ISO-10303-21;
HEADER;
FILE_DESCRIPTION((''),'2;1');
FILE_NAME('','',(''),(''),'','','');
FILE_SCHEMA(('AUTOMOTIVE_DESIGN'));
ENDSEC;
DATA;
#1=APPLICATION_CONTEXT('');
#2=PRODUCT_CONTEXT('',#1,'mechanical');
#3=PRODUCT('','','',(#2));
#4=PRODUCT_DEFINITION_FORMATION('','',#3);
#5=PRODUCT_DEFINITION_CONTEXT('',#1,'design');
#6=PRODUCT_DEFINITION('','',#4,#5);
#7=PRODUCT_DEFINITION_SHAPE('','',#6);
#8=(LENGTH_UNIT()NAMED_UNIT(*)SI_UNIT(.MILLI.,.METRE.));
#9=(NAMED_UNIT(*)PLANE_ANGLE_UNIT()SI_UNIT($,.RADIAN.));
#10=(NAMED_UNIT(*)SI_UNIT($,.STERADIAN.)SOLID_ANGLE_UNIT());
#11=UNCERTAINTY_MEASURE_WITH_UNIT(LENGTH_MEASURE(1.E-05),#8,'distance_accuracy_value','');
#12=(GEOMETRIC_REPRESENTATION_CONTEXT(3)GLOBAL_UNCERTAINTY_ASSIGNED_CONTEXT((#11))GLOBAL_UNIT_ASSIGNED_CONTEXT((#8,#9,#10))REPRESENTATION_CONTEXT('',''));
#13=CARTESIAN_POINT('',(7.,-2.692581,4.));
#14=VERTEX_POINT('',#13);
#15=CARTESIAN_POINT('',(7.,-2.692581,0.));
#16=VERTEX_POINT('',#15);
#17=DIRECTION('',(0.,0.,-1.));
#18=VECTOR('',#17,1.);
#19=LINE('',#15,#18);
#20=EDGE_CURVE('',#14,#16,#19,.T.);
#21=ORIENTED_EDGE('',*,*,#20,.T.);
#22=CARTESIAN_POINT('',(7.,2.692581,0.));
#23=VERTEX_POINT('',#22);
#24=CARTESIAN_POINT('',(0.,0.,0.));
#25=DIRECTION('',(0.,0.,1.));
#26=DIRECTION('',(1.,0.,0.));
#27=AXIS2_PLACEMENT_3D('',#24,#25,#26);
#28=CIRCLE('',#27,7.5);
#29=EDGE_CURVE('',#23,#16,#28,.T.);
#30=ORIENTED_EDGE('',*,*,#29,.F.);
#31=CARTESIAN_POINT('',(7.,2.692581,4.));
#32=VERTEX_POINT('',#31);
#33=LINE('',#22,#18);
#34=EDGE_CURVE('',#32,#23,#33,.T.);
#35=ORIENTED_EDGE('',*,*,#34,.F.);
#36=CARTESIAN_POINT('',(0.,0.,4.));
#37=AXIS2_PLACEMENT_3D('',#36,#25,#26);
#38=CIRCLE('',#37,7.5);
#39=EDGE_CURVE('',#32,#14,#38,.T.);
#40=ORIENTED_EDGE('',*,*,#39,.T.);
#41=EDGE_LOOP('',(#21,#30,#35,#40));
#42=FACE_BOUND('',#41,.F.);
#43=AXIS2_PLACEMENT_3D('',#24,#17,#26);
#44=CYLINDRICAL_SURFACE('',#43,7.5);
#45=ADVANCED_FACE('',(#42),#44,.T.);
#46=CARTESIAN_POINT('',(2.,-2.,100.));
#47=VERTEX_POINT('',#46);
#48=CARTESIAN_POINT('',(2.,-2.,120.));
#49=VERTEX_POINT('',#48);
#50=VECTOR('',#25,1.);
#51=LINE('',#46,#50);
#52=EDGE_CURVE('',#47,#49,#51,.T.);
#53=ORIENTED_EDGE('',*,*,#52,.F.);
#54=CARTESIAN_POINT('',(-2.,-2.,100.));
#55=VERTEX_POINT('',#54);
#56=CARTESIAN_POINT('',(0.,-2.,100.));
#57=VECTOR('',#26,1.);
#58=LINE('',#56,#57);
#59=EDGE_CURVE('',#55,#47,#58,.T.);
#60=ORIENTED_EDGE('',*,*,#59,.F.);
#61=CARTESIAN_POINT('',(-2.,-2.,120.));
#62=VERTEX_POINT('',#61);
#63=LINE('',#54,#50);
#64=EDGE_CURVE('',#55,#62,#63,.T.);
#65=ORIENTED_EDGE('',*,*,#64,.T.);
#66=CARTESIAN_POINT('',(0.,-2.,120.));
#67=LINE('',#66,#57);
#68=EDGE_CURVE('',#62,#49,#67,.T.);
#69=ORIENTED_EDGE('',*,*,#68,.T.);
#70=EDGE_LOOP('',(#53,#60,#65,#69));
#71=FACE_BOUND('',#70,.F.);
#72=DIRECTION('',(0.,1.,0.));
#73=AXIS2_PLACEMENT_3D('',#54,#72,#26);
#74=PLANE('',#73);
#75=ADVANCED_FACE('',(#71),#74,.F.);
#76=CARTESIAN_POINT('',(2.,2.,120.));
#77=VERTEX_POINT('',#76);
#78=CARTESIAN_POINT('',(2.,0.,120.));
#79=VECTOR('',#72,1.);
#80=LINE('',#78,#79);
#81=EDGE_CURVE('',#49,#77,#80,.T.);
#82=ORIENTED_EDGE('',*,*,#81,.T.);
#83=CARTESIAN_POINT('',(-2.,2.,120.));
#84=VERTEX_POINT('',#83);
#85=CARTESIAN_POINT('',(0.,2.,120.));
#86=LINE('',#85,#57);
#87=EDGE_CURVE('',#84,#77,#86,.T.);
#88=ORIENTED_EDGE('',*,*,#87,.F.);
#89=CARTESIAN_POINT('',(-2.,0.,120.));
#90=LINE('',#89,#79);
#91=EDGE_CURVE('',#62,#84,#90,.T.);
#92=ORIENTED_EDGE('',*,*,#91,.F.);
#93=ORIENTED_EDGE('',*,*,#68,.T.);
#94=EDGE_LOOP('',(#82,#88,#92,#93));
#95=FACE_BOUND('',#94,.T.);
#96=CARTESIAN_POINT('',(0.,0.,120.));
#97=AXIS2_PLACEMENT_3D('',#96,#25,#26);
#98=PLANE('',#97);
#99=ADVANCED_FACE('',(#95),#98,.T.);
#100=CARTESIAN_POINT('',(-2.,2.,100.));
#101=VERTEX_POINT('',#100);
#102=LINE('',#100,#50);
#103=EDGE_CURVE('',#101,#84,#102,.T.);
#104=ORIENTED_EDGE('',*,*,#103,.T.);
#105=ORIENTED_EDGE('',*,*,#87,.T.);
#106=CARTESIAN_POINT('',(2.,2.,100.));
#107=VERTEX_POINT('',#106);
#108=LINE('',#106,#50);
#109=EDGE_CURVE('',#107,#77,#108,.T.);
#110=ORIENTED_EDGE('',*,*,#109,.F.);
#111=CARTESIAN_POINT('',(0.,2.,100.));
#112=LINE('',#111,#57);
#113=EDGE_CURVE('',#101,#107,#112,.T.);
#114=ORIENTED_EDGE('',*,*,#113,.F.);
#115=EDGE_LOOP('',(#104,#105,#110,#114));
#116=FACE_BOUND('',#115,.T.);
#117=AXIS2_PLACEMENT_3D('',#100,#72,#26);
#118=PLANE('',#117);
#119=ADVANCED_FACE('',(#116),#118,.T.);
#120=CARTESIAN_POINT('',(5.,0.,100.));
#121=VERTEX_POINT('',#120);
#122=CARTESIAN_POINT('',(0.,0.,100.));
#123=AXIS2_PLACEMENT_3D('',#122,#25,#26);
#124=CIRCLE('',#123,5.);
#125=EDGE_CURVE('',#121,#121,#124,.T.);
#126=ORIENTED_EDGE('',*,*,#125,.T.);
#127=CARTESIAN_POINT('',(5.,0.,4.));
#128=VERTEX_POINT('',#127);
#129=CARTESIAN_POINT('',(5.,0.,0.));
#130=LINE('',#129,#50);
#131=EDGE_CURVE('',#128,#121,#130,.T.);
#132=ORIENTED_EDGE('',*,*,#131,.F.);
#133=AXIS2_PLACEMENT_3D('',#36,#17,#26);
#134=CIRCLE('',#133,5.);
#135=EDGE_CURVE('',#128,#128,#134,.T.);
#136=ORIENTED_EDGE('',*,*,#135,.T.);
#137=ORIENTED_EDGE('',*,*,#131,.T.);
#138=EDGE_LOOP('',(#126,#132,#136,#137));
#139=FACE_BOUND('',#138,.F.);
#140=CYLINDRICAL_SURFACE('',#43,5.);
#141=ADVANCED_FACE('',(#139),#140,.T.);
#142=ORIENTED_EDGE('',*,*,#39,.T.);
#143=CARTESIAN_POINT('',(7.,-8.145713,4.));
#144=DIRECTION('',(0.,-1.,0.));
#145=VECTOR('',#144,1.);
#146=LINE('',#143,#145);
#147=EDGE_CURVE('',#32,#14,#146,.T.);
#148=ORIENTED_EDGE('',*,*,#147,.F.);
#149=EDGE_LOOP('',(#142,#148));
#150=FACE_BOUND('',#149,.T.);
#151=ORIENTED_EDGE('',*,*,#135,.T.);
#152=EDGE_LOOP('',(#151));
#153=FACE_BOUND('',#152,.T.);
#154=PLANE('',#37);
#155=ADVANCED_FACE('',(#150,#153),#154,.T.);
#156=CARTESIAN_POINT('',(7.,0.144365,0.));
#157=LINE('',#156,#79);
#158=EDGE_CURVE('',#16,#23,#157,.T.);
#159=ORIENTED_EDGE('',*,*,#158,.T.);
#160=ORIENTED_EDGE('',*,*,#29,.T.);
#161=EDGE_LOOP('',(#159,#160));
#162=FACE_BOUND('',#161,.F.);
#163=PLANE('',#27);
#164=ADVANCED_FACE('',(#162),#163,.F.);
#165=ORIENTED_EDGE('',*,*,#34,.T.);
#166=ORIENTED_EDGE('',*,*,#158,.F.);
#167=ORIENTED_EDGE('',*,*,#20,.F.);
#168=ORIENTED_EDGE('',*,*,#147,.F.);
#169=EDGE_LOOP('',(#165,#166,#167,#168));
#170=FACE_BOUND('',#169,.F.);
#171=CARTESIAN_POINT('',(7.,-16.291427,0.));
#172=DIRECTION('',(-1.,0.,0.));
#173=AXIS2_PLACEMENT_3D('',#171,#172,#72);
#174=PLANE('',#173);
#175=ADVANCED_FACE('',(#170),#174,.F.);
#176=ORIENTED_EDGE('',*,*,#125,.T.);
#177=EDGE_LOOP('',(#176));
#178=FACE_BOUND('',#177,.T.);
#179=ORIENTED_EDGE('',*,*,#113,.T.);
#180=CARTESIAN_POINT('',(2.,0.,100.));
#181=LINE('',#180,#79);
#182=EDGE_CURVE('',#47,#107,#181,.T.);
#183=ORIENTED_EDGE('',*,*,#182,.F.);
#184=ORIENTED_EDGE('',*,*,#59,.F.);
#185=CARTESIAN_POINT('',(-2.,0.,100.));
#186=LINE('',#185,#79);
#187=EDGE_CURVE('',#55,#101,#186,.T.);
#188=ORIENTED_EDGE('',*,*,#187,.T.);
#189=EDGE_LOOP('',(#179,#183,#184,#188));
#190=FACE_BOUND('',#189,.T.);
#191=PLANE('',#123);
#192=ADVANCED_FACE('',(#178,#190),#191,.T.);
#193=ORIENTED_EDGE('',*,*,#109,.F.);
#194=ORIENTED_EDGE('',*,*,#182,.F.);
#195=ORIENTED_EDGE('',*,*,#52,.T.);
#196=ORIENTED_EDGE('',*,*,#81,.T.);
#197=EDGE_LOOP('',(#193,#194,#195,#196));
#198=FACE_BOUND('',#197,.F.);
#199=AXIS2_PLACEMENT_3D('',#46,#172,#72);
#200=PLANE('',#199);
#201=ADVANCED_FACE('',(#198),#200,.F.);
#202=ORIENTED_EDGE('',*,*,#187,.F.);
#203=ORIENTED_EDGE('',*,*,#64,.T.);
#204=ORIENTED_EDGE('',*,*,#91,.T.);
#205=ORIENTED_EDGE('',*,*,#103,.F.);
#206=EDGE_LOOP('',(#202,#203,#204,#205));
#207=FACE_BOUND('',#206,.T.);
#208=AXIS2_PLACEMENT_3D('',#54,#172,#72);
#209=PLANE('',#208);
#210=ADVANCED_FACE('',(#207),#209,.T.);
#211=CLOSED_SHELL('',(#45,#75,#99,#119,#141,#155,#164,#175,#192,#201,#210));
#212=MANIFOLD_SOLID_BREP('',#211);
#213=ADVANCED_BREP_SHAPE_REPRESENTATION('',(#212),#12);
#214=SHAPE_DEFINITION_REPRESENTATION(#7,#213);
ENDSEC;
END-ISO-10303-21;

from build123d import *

# Parameters (mm, degrees)
F0_R     = 7.5
F1_DEPTH = 4
F2_R     = 5
F3_DEPTH = 100
F4_W     = 4
F4_H     = 4
F5_DEPTH = 20
F6_W     = 10.298821
F6_H     = 32.871584
F7_DEPTH = 25


with BuildPart() as f1:
    # F0 (on Top) → F1 (new body)
    with BuildSketch(Plane.XY):
        Circle(F0_R)
    extrude(amount=F1_DEPTH)

    # F2 (on Top) → F3 (join)
    with BuildSketch(Plane.XY):
        Circle(F2_R)
    extrude(amount=F3_DEPTH)

    # F4 (on face) → F5 (join)
    with BuildSketch(Plane.XY.offset(100)):
        Rectangle(F4_W, F4_H)
    extrude(amount=F5_DEPTH)

    # F6 (on Top) → F7 (cut)
    with BuildSketch(Plane.XY):
        with Locations((12.149411, 0.144365)):
            Rectangle(F6_W, F6_H)
    extrude(amount=F7_DEPTH, mode=Mode.SUBTRACT)


solid = f1.part
